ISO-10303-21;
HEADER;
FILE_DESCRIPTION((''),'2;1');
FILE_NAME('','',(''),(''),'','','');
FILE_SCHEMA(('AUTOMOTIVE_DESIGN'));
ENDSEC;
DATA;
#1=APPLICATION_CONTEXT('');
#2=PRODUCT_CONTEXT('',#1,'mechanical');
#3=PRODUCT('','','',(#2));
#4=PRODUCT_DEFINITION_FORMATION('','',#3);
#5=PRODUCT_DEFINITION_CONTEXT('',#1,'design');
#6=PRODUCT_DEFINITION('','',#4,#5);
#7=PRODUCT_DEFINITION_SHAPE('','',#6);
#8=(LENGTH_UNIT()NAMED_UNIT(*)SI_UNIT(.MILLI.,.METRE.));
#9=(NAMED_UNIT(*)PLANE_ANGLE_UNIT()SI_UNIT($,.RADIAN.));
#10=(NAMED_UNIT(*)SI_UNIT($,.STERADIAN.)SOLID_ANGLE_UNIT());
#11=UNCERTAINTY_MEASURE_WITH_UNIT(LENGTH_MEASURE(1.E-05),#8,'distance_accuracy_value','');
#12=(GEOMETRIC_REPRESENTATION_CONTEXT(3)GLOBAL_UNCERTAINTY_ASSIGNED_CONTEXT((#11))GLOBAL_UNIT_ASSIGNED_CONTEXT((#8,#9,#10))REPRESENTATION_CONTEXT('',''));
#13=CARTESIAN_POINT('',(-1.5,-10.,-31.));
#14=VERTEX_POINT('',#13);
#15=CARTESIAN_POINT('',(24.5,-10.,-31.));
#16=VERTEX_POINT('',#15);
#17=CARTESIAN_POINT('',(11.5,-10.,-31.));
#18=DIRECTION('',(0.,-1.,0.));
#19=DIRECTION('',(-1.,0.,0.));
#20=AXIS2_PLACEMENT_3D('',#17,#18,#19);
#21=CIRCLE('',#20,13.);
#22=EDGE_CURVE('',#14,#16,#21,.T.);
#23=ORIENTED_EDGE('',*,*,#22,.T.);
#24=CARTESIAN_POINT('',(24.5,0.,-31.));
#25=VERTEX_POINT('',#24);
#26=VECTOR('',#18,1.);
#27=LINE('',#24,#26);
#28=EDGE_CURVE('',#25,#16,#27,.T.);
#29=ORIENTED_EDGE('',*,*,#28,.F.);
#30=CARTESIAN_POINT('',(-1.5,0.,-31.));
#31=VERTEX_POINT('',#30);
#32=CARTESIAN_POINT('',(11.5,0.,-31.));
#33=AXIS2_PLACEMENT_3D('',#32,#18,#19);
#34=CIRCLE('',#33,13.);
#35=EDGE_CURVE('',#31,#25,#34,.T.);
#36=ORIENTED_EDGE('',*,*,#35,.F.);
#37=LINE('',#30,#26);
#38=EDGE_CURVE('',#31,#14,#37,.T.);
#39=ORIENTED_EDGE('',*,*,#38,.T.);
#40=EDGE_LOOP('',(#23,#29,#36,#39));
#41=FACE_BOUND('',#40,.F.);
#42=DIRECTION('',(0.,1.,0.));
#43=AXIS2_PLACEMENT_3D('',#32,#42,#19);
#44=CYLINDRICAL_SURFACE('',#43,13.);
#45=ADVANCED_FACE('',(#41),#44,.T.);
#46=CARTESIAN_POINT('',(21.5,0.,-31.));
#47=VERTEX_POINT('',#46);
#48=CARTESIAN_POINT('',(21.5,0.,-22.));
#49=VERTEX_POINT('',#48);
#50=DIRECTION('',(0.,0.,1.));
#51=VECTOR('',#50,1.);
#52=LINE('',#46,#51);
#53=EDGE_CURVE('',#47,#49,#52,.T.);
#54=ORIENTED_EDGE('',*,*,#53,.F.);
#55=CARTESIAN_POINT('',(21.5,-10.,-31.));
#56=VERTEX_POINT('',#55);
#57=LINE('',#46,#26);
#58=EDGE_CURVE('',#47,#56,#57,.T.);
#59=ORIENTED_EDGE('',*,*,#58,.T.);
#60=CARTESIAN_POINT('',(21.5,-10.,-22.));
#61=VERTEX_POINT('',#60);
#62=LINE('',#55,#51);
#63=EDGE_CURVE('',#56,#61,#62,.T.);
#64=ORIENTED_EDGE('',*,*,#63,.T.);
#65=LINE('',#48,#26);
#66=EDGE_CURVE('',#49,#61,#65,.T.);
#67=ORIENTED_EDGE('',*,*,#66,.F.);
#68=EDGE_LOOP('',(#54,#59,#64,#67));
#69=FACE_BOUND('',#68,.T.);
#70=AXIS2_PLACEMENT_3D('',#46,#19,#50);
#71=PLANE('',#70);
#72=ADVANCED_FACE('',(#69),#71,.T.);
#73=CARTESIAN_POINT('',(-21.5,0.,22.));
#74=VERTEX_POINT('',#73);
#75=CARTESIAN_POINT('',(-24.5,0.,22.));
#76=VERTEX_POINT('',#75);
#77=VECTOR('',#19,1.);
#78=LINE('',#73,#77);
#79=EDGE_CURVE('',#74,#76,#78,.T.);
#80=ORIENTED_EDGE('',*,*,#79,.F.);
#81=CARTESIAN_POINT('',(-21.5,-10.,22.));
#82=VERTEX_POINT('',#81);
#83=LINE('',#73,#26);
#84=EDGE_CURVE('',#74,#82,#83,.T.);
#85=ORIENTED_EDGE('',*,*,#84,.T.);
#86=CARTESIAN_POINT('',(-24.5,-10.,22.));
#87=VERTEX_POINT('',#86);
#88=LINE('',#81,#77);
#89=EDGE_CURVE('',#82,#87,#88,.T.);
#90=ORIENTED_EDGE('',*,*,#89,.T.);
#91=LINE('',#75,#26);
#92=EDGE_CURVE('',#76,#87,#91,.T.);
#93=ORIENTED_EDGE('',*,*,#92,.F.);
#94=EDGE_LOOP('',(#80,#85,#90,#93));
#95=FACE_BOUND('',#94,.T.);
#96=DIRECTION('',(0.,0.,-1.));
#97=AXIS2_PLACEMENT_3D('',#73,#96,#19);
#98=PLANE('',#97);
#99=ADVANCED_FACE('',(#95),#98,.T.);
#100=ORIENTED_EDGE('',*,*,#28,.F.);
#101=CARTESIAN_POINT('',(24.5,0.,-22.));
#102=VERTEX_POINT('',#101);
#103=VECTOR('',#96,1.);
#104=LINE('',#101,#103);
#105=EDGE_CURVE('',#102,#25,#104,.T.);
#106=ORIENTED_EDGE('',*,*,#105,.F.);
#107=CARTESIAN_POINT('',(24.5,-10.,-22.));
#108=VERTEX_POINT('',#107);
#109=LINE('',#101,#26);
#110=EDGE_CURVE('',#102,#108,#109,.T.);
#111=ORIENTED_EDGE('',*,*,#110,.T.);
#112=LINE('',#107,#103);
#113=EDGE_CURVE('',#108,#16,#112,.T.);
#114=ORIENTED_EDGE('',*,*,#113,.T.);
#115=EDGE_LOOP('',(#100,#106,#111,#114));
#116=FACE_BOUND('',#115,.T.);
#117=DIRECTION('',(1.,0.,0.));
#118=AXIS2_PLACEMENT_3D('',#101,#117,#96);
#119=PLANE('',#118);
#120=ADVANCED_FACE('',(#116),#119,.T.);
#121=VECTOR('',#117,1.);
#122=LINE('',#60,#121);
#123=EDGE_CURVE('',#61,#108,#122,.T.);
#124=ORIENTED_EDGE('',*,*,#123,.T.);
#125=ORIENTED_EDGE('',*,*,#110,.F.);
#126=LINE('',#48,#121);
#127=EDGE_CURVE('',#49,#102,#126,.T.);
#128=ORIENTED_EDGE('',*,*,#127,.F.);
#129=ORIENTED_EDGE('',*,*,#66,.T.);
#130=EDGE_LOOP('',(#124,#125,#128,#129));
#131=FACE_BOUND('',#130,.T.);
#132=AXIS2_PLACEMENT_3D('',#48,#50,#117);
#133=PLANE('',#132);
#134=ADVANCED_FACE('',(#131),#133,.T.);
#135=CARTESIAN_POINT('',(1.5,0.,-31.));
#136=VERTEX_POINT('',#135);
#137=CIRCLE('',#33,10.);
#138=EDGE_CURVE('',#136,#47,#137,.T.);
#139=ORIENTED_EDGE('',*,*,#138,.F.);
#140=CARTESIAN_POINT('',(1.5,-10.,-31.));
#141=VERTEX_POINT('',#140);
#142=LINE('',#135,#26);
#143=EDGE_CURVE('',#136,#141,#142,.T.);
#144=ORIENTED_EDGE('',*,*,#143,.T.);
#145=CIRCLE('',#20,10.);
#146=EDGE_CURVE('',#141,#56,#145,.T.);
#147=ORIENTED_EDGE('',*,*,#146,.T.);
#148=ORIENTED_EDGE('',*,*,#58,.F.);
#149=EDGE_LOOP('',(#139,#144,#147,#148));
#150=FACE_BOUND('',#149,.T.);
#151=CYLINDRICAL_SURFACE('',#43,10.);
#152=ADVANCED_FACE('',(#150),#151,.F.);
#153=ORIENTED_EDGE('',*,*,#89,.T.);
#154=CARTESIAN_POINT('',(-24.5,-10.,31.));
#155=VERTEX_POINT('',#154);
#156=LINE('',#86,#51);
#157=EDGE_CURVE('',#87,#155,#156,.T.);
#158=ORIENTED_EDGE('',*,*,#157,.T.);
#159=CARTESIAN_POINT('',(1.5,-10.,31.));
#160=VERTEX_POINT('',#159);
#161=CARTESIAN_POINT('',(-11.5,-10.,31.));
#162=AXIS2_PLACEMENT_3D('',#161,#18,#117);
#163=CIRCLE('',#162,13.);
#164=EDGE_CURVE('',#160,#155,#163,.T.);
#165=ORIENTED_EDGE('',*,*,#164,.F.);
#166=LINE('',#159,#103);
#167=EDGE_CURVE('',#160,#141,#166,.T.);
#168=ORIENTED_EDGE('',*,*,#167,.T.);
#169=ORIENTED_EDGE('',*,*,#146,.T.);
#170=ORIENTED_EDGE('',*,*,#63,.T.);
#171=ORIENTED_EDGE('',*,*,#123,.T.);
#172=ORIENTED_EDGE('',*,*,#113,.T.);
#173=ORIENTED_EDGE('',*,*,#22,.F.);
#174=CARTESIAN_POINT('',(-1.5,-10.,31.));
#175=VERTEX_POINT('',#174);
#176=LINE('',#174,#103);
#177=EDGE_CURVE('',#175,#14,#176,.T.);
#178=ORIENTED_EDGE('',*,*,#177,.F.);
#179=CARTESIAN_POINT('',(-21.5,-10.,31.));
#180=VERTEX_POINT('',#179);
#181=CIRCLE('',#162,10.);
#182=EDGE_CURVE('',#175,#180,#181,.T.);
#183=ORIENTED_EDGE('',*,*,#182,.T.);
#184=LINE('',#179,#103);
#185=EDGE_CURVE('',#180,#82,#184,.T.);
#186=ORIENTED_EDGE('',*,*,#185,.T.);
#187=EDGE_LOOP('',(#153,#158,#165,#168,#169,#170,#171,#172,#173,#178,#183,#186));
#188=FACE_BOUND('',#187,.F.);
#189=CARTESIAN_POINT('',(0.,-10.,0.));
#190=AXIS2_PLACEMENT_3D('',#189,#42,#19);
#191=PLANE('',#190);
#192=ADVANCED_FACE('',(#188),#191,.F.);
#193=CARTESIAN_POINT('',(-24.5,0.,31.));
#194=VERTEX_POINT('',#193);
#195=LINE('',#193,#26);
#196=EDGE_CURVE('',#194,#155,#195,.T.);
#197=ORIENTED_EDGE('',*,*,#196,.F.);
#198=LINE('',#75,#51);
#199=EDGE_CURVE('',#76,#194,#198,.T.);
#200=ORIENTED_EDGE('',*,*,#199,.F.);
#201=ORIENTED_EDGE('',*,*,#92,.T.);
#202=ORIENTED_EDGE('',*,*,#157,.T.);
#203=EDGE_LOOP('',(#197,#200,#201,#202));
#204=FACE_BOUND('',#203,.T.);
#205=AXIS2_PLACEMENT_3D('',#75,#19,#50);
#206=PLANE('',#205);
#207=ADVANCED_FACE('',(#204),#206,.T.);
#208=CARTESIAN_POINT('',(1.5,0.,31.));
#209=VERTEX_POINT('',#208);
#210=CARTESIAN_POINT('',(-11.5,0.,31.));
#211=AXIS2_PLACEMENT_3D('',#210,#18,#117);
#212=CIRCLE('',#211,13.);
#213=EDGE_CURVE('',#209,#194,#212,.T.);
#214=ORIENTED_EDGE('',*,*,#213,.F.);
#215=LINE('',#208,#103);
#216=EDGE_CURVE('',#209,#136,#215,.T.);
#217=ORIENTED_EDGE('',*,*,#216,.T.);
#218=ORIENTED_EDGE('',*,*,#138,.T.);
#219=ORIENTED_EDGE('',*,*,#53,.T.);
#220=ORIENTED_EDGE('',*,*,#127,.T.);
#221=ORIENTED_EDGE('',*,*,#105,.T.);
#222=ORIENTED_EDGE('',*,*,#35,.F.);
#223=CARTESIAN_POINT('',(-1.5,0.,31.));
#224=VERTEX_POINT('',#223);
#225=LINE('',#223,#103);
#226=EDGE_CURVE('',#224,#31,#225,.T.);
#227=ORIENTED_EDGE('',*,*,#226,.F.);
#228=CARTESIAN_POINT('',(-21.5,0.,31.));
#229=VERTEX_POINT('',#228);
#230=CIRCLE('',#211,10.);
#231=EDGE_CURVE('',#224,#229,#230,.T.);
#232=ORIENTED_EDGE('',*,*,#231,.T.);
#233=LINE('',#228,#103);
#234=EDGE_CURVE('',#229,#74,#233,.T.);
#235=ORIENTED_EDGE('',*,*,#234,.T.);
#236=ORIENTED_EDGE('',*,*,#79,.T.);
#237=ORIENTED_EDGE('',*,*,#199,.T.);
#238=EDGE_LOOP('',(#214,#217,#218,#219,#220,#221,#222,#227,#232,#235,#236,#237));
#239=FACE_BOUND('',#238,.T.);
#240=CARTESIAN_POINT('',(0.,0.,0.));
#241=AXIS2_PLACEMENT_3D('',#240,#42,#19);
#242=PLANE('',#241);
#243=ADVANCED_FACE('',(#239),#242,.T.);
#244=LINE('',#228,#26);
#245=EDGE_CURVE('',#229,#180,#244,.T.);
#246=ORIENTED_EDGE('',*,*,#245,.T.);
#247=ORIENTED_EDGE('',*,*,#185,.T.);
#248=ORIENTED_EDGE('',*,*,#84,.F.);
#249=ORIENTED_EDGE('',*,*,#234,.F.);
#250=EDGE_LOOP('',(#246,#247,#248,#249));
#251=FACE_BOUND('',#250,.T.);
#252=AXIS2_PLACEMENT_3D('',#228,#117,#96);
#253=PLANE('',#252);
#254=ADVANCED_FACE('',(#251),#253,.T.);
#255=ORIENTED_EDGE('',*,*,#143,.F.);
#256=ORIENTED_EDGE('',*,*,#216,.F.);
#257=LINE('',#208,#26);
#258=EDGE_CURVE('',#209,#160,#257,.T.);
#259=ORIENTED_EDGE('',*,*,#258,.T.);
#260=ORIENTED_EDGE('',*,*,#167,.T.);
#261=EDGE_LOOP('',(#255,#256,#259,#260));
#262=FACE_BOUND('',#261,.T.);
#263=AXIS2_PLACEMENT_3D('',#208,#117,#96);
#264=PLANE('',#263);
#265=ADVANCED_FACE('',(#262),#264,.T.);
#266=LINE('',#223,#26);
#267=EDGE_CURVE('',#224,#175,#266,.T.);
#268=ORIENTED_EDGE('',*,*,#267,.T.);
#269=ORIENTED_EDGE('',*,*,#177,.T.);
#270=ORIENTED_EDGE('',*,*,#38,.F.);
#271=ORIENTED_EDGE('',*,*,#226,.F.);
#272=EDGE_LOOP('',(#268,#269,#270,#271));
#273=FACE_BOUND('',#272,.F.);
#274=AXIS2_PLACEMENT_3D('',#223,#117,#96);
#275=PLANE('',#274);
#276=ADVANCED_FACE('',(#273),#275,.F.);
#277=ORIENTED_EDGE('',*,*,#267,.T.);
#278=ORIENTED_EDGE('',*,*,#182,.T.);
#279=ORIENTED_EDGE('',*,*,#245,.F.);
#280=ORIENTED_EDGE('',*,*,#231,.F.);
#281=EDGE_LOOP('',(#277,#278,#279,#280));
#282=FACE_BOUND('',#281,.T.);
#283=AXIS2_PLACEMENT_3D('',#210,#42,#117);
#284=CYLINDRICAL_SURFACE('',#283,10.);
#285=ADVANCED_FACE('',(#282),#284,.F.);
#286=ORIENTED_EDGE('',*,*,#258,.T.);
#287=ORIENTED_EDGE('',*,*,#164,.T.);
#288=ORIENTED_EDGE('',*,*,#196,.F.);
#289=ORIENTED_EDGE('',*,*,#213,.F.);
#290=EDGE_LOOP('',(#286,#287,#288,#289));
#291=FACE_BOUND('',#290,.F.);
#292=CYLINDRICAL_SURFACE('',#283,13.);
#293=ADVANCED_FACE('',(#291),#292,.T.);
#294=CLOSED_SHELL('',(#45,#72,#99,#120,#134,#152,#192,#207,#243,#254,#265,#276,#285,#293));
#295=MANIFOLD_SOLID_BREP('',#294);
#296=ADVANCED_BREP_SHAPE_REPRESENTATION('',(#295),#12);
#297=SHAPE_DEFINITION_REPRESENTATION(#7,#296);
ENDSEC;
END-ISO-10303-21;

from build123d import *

# Parameters (mm, degrees)
PAD_DEPTH = 10


with BuildPart() as part:
    # Sketch → Pad (new body)
    with BuildSketch(Plane.XZ):
        with BuildLine():
            Line((-21.5, 31), (-21.5, 22))
            Line((-21.5, 22), (-24.5, 22))
            Line((-24.5, 22), (-24.5, 31))
            ThreePointArc((1.5, 31), (-11.5, 44), (-24.5, 31))
            Line((1.5, 31), (1.5, -31))
            ThreePointArc((1.5, -31), (11.5, -41), (21.5, -31))
            Line((21.5, -31), (21.5, -22))
            Line((21.5, -22), (24.5, -22))
            Line((24.5, -22), (24.5, -31))
            ThreePointArc((-1.5, -31), (11.5, -44), (24.5, -31))
            Line((-1.5, 31), (-1.5, -31))
            ThreePointArc((-1.5, 31), (-11.5, 41), (-21.5, 31))
        make_face()
    extrude(amount=PAD_DEPTH)


solid = part.part
